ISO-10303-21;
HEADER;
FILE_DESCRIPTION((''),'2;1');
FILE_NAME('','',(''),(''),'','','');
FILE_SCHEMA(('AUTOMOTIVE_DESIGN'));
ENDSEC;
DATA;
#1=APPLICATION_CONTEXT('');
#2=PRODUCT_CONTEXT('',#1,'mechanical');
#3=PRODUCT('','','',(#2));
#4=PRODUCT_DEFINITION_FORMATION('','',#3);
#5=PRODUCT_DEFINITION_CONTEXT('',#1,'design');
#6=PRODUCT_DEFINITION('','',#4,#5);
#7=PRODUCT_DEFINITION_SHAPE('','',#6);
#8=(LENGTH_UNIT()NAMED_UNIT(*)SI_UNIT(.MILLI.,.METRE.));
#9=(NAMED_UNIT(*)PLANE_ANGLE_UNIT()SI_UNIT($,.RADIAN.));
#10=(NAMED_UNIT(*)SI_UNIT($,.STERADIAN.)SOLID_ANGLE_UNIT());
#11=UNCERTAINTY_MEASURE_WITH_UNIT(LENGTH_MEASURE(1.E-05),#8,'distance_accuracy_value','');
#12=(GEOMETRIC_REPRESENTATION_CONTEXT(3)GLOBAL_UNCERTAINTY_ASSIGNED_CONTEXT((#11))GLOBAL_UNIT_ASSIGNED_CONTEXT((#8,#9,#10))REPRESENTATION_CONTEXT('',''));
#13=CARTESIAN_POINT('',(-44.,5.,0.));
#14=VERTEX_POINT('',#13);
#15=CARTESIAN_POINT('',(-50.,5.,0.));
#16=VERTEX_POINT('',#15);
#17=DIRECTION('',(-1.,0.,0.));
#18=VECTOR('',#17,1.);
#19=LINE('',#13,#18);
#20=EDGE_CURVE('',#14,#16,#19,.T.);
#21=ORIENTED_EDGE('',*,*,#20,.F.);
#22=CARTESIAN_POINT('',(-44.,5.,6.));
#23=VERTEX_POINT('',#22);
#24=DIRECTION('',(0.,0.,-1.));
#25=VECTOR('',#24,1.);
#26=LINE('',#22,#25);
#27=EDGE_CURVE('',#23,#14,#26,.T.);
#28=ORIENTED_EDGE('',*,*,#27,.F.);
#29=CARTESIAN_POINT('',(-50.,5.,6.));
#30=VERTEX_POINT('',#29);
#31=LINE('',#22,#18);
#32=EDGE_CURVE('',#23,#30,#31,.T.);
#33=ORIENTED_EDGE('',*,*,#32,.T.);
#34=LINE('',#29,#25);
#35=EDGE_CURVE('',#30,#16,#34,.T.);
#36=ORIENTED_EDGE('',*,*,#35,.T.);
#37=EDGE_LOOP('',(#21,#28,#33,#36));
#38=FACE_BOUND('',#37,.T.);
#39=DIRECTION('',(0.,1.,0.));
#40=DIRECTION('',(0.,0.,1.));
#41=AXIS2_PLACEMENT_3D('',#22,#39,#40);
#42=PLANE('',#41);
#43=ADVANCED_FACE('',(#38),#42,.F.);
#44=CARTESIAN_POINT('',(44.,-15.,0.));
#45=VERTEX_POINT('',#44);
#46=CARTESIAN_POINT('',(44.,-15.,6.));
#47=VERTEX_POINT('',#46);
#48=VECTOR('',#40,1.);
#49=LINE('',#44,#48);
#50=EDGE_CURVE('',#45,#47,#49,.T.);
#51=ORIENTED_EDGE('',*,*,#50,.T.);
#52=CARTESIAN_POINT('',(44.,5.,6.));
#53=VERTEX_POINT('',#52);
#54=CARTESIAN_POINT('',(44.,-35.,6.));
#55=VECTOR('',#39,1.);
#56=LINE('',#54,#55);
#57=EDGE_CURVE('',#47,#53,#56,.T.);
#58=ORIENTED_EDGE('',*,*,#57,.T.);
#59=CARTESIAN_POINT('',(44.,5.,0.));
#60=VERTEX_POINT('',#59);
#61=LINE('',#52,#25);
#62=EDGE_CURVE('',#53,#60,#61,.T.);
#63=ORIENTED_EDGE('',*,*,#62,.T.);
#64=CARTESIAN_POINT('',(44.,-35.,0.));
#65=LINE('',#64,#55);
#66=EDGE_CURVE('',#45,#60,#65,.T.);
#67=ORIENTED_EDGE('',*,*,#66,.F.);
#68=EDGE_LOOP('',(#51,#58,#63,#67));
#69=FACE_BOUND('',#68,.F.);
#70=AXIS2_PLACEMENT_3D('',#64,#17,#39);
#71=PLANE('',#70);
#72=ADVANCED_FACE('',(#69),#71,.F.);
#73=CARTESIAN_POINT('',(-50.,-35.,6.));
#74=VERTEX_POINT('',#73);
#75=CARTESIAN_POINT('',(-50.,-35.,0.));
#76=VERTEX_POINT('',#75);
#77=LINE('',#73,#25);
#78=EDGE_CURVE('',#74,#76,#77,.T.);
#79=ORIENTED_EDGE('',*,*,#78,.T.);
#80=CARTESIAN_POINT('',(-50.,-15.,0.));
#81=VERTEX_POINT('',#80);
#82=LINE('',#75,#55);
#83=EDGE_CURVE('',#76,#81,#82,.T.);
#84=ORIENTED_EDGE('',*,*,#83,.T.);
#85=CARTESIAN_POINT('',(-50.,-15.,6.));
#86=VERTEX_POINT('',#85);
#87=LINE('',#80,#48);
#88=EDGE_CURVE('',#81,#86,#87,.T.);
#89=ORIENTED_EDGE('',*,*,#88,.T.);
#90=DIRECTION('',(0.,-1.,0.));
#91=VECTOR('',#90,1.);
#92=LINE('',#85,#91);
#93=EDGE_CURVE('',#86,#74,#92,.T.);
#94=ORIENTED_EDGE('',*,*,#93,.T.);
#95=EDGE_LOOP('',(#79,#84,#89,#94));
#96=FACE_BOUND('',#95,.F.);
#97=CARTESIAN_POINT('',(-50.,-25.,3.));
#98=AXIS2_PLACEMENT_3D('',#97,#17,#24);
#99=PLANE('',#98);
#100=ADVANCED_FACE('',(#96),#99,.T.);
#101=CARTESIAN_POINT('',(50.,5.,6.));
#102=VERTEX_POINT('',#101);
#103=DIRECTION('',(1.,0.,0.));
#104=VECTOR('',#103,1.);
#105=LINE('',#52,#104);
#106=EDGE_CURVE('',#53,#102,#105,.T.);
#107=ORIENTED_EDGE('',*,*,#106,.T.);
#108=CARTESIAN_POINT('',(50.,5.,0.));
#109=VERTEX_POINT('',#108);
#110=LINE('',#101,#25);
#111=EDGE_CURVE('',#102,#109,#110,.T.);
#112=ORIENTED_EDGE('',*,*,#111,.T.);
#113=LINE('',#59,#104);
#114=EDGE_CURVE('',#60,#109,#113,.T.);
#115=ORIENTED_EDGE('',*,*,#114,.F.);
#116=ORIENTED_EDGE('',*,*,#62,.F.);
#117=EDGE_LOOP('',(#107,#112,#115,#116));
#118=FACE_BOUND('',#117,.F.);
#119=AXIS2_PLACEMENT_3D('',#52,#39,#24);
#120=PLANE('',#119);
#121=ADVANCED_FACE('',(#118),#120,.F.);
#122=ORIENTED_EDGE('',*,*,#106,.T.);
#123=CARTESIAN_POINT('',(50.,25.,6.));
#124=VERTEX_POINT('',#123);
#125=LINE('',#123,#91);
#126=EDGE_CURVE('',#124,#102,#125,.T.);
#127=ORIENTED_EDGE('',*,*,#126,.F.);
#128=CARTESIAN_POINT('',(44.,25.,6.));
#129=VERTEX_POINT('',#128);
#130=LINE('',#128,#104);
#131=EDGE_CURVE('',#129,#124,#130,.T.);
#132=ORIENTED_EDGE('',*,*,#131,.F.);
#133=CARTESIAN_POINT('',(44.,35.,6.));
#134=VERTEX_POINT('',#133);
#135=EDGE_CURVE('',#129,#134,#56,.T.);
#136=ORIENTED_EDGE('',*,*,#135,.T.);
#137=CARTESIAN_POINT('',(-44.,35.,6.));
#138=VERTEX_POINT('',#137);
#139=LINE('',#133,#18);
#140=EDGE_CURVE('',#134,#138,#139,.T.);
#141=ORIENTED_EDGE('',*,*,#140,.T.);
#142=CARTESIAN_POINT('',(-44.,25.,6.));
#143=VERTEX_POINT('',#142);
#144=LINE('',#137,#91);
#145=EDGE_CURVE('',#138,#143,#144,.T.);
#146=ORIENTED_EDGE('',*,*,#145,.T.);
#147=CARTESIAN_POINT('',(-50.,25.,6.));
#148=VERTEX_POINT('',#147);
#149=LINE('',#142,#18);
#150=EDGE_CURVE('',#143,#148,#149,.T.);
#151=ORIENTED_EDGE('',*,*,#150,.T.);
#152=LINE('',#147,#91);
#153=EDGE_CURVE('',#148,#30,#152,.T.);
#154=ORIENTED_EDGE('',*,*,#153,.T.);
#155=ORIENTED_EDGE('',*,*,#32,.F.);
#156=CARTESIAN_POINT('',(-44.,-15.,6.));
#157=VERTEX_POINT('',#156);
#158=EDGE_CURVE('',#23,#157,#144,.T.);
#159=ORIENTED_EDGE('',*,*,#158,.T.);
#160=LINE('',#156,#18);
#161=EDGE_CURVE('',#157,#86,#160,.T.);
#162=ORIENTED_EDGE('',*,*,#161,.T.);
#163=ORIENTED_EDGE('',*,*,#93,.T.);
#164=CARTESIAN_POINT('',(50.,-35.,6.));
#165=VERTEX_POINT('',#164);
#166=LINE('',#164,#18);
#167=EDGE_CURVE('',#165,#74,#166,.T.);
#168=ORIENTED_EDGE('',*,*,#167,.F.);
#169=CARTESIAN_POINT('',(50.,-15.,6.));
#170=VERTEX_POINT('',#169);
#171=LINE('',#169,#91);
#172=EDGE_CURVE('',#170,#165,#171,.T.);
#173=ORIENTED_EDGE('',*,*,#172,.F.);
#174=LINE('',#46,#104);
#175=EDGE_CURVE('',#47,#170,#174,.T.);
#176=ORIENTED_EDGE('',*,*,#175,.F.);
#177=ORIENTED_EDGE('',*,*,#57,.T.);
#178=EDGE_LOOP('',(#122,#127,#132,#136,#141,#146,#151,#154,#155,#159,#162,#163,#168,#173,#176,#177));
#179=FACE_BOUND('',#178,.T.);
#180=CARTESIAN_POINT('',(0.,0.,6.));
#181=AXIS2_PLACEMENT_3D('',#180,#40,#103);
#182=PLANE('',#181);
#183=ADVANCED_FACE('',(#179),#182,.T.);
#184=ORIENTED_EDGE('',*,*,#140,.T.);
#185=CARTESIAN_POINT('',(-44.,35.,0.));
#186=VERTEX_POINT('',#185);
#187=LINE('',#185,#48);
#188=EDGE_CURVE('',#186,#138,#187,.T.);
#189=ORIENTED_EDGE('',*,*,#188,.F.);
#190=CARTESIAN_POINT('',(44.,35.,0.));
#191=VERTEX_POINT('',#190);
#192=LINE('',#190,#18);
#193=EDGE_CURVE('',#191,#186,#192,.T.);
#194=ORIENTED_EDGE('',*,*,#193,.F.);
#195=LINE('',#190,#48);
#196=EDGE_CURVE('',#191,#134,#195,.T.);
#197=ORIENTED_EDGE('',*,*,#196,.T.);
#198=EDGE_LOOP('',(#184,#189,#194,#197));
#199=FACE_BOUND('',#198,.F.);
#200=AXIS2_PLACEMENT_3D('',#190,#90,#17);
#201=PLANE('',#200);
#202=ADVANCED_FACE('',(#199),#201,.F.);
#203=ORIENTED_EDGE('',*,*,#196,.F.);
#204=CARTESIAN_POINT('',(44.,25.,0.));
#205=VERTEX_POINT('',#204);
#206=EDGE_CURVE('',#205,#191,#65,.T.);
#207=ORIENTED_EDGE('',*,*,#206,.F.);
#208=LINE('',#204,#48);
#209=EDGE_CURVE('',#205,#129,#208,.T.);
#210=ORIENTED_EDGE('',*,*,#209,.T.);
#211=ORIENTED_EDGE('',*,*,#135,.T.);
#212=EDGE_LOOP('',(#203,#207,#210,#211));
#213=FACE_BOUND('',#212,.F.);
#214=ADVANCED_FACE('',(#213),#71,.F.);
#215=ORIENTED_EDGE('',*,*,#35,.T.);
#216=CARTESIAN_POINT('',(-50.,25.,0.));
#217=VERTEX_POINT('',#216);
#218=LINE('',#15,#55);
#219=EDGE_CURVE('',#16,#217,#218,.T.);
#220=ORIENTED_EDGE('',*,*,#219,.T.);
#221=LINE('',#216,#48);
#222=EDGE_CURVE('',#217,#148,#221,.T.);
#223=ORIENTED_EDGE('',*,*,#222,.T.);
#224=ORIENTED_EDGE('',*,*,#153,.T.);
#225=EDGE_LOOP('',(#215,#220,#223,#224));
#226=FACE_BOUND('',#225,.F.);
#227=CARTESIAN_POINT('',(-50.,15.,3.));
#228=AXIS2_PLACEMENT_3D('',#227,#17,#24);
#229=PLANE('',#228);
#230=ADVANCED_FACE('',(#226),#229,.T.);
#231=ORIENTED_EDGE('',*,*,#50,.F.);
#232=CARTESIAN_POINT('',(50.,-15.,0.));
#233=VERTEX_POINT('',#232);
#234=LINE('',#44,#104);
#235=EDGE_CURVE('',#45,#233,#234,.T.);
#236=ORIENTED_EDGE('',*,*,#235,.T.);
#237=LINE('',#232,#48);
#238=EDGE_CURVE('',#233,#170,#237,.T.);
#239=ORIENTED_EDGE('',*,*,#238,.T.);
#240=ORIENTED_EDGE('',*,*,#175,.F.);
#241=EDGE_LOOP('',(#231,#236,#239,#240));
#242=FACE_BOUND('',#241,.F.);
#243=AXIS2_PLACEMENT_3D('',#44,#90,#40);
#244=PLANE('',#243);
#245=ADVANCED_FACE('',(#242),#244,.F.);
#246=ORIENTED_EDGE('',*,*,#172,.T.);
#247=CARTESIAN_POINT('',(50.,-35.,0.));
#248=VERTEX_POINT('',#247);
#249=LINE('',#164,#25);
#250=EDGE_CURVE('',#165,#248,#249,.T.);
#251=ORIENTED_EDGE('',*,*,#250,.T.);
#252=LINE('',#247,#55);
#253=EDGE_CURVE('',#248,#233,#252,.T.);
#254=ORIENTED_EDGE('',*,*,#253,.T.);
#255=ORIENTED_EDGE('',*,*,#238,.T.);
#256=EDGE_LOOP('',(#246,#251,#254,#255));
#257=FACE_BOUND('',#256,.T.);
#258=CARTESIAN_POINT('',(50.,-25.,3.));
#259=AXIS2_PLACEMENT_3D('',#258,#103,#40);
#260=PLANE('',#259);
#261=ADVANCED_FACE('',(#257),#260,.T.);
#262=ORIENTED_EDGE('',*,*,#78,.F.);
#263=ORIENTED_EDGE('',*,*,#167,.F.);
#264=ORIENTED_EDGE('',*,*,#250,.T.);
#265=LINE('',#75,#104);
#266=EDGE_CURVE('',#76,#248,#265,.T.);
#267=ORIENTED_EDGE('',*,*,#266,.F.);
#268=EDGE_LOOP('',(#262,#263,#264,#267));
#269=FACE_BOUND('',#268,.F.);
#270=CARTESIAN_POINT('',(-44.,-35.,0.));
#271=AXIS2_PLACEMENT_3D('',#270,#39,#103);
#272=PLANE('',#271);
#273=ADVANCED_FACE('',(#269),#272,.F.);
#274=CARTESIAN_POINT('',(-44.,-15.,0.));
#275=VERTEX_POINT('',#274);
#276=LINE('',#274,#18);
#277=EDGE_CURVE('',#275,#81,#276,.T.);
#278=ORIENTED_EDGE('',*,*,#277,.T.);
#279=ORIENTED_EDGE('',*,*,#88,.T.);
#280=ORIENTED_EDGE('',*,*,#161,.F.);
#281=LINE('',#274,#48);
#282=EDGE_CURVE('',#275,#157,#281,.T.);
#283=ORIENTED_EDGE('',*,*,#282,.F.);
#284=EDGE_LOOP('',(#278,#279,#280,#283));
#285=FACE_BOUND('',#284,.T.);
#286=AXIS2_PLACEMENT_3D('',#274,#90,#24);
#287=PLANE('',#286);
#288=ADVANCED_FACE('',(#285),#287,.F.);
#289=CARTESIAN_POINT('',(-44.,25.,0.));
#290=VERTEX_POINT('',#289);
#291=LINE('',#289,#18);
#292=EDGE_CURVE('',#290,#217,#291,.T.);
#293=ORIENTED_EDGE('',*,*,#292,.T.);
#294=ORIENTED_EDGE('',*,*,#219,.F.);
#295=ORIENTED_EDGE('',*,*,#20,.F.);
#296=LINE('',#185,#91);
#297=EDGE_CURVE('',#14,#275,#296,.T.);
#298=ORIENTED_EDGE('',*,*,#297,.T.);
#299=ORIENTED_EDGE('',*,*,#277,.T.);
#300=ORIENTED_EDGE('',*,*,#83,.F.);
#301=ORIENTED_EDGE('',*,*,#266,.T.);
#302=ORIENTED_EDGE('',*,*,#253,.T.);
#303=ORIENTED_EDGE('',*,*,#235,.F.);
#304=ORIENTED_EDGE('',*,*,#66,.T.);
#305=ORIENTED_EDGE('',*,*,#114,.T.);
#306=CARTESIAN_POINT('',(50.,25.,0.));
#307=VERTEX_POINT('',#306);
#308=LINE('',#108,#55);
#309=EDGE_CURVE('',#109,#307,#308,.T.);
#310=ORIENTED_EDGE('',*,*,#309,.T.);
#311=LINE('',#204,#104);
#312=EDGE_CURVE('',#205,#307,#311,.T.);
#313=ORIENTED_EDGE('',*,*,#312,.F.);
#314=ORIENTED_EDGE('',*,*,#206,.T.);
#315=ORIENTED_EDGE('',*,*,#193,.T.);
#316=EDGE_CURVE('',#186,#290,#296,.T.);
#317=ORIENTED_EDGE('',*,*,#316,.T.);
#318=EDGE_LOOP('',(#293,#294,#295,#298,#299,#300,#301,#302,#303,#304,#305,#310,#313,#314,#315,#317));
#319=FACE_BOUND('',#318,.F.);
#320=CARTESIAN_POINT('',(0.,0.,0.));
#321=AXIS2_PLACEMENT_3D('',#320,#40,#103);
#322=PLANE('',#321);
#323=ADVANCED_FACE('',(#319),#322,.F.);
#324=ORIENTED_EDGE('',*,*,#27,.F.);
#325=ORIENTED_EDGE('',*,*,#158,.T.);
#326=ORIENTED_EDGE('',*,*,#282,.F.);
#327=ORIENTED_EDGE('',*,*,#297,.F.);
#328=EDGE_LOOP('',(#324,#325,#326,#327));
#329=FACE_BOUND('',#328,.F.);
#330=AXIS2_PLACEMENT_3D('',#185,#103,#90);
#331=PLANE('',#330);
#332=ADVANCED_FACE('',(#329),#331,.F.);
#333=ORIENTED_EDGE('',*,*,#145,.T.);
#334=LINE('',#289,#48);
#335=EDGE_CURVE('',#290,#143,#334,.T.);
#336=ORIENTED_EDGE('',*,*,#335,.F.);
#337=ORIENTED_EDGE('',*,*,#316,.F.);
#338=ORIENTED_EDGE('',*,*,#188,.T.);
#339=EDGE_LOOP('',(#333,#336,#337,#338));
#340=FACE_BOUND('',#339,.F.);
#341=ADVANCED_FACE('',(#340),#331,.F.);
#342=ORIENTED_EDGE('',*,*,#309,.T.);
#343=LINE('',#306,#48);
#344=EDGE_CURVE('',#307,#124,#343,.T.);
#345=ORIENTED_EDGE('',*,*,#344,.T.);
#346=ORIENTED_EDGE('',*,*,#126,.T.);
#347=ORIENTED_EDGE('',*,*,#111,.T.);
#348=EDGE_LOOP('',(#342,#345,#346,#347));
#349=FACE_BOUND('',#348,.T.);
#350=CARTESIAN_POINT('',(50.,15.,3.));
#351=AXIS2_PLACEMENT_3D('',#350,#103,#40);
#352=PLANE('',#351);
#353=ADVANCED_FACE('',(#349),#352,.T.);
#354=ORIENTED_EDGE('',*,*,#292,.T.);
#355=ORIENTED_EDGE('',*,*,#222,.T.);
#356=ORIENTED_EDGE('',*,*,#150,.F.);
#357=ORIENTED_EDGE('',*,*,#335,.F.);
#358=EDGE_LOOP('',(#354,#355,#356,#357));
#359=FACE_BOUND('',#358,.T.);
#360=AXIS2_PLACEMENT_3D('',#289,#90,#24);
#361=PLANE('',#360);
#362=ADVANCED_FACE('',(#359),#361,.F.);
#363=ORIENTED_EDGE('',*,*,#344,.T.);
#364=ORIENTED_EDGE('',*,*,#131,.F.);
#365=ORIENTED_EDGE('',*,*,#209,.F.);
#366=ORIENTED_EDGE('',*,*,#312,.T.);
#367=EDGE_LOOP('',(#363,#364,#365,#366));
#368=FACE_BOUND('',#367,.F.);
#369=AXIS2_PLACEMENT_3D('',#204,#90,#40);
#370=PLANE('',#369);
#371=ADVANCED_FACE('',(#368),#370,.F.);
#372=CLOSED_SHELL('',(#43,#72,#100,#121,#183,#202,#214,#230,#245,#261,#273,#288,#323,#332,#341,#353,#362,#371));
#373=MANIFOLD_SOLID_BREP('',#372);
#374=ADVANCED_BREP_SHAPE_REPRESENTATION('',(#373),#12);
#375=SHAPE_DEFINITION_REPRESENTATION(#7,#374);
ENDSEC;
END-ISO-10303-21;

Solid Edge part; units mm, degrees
sketch "Sketch1" plane through (0, 0, 0) normal (0, 0, 1) x (1, 0, 0)
  line L0 (-44, -35) -> (44, -35)
  line L1 (44, -35) -> (44, 35)
  line L2 (44, 35) -> (-44, 35)
  line L3 (-44, 35) -> (-44, -35)
  dimension "D1" = 88
  dimension "D2" = 70
extrude "Protrusion1" add sketch "Sketch1" along normal blind 6
sketch "Sketch2" plane through (44, 0, 3) normal (1, 0, 0) x (0, 1, 0)
  line L0 (-35, 3) -> (-35, -3)
  line L1 (-35, -3) -> (-15, -3)
  line L2 (-15, -3) -> (-15, 3)
  line L3 (-15, 3) -> (-35, 3)
  line L4 (5, -3) -> (25, -3)
  line L5 (25, -3) -> (25, 3)
  line L6 (25, 3) -> (5, 3)
  line L7 (5, 3) -> (5, -3)
  dimension "D1" = 20
  dimension "D2" = 6
  dimension "D3" = 6
  dimension "D4" = 20
  dimension "D5" = 20
extrude "ExtrudedProtrusion_2" add sketch "Sketch2" along normal blind 6
mirror "Mirror1" about plane through (0, 0, 0) normal (1, 0, 0) of "ExtrudedProtrusion_2"
properties material "Wood, Mahogany"
